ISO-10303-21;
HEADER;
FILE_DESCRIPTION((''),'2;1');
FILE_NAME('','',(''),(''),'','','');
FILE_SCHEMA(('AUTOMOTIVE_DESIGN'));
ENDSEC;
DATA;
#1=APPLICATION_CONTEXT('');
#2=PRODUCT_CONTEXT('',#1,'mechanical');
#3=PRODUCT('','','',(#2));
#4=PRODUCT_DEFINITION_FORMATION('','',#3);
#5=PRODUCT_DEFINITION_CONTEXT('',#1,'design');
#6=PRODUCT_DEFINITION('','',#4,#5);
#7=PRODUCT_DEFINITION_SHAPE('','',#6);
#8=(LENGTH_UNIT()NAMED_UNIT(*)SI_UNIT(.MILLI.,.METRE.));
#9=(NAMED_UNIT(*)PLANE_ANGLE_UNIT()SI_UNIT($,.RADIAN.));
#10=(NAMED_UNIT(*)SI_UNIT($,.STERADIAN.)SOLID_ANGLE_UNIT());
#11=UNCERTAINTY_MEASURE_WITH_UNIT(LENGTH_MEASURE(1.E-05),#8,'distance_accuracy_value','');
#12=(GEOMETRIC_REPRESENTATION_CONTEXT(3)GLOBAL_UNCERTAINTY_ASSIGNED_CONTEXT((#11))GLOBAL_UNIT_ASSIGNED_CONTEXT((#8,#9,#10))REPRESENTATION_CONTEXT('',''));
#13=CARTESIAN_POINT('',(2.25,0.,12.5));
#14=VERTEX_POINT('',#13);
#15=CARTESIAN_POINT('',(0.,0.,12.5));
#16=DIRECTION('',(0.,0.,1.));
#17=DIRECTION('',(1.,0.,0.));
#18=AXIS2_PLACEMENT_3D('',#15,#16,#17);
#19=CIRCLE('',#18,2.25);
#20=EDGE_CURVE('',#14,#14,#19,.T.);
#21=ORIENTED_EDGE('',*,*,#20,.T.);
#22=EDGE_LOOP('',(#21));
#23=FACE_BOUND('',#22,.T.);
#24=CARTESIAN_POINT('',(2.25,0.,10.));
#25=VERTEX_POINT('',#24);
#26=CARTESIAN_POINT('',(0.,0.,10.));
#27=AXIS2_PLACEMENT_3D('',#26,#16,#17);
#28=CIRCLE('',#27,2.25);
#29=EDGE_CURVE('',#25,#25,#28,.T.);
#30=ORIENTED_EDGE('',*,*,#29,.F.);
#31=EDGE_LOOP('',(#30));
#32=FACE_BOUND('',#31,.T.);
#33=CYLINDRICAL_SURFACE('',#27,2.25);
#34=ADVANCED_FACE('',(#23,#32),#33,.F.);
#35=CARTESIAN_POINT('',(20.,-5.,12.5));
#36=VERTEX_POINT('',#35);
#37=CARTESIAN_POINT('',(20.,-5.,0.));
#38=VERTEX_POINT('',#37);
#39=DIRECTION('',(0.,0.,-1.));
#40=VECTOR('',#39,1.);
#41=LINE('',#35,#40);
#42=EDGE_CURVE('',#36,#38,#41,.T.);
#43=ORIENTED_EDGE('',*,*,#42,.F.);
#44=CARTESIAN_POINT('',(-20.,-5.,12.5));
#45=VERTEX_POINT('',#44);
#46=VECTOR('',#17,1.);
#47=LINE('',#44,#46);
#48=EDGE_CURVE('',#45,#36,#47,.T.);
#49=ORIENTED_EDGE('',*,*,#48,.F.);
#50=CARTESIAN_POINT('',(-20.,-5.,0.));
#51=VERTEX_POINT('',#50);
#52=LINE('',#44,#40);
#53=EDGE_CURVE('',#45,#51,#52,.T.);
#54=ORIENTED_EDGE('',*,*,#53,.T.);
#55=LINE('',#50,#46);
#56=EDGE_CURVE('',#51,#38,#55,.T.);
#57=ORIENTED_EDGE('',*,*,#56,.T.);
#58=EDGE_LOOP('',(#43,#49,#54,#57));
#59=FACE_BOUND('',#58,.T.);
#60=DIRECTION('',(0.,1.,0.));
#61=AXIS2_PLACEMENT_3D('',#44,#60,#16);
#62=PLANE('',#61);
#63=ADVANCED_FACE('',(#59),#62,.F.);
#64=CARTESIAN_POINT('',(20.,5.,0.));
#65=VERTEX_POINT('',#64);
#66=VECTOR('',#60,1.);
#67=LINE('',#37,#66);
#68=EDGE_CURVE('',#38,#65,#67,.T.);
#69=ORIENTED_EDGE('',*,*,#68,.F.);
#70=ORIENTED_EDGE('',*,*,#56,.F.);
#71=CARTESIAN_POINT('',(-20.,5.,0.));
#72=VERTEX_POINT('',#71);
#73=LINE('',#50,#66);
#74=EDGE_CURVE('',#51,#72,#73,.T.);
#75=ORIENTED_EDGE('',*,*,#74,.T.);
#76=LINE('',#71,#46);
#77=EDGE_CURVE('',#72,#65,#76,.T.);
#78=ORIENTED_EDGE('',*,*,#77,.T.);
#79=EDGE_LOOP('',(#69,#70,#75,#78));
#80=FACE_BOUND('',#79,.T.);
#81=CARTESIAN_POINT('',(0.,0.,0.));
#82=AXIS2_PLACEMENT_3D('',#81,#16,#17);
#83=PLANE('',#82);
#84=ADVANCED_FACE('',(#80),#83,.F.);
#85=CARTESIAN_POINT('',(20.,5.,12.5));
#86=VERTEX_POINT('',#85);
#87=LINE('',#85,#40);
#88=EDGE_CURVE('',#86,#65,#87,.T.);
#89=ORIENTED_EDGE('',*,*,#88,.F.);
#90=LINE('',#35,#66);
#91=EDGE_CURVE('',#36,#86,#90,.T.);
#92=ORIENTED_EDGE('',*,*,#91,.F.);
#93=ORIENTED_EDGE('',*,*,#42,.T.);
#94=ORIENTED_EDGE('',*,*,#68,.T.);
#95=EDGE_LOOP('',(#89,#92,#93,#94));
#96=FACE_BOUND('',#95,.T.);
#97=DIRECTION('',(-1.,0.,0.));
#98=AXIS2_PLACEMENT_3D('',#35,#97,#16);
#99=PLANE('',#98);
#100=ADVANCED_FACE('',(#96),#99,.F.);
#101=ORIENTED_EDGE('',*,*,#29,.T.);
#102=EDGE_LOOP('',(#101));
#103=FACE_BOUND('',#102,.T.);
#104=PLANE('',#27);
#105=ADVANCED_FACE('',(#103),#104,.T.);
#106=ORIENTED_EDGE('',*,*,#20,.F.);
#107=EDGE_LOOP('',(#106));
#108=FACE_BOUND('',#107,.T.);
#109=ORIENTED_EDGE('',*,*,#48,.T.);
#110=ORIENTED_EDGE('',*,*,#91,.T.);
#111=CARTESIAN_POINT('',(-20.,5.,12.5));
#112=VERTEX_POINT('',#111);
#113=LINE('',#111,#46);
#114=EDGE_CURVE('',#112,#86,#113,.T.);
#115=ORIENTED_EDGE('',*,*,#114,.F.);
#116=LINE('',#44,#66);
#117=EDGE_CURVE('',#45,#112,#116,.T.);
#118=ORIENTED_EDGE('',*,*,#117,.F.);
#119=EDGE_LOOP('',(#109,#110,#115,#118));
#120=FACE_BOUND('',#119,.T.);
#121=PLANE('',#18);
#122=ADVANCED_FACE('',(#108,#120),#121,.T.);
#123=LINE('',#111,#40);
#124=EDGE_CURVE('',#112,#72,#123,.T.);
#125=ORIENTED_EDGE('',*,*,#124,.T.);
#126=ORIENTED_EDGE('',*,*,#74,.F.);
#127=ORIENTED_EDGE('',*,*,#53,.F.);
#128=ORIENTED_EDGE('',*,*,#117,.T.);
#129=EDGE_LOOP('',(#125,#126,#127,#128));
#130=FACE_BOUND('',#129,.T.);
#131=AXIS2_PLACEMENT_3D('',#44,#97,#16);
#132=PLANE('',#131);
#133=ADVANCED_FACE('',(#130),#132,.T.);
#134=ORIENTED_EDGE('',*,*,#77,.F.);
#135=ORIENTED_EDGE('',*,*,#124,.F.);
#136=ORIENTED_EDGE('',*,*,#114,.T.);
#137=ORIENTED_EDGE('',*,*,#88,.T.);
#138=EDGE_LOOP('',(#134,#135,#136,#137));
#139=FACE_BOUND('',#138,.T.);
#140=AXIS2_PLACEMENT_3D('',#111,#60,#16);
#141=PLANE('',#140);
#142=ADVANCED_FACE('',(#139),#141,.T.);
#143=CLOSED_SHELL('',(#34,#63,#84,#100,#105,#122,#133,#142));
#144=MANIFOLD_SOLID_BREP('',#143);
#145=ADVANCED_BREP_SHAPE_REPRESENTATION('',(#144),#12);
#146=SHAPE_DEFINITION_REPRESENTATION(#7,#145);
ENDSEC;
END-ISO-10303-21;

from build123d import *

# Parameters (mm, degrees)
SKETCH1_W           = 40
SKETCH1_H           = 10
BOSS_EXTRUDE1_DEPTH = 12.5
SKETCH2_R           = 2.25
CUT_EXTRUDE1_DEPTH  = 2.5


with BuildPart() as part:
    # Sketch1 → Boss-Extrude1 (new body)
    with BuildSketch(Plane.XY):
        Rectangle(SKETCH1_W, SKETCH1_H)
    extrude(amount=BOSS_EXTRUDE1_DEPTH)

    # Sketch2 → Cut-Extrude1 (cut)
    with BuildSketch(Plane.XY.offset(12.5)):
        Circle(SKETCH2_R)
    extrude(amount=-CUT_EXTRUDE1_DEPTH, mode=Mode.SUBTRACT)


solid = part.part
